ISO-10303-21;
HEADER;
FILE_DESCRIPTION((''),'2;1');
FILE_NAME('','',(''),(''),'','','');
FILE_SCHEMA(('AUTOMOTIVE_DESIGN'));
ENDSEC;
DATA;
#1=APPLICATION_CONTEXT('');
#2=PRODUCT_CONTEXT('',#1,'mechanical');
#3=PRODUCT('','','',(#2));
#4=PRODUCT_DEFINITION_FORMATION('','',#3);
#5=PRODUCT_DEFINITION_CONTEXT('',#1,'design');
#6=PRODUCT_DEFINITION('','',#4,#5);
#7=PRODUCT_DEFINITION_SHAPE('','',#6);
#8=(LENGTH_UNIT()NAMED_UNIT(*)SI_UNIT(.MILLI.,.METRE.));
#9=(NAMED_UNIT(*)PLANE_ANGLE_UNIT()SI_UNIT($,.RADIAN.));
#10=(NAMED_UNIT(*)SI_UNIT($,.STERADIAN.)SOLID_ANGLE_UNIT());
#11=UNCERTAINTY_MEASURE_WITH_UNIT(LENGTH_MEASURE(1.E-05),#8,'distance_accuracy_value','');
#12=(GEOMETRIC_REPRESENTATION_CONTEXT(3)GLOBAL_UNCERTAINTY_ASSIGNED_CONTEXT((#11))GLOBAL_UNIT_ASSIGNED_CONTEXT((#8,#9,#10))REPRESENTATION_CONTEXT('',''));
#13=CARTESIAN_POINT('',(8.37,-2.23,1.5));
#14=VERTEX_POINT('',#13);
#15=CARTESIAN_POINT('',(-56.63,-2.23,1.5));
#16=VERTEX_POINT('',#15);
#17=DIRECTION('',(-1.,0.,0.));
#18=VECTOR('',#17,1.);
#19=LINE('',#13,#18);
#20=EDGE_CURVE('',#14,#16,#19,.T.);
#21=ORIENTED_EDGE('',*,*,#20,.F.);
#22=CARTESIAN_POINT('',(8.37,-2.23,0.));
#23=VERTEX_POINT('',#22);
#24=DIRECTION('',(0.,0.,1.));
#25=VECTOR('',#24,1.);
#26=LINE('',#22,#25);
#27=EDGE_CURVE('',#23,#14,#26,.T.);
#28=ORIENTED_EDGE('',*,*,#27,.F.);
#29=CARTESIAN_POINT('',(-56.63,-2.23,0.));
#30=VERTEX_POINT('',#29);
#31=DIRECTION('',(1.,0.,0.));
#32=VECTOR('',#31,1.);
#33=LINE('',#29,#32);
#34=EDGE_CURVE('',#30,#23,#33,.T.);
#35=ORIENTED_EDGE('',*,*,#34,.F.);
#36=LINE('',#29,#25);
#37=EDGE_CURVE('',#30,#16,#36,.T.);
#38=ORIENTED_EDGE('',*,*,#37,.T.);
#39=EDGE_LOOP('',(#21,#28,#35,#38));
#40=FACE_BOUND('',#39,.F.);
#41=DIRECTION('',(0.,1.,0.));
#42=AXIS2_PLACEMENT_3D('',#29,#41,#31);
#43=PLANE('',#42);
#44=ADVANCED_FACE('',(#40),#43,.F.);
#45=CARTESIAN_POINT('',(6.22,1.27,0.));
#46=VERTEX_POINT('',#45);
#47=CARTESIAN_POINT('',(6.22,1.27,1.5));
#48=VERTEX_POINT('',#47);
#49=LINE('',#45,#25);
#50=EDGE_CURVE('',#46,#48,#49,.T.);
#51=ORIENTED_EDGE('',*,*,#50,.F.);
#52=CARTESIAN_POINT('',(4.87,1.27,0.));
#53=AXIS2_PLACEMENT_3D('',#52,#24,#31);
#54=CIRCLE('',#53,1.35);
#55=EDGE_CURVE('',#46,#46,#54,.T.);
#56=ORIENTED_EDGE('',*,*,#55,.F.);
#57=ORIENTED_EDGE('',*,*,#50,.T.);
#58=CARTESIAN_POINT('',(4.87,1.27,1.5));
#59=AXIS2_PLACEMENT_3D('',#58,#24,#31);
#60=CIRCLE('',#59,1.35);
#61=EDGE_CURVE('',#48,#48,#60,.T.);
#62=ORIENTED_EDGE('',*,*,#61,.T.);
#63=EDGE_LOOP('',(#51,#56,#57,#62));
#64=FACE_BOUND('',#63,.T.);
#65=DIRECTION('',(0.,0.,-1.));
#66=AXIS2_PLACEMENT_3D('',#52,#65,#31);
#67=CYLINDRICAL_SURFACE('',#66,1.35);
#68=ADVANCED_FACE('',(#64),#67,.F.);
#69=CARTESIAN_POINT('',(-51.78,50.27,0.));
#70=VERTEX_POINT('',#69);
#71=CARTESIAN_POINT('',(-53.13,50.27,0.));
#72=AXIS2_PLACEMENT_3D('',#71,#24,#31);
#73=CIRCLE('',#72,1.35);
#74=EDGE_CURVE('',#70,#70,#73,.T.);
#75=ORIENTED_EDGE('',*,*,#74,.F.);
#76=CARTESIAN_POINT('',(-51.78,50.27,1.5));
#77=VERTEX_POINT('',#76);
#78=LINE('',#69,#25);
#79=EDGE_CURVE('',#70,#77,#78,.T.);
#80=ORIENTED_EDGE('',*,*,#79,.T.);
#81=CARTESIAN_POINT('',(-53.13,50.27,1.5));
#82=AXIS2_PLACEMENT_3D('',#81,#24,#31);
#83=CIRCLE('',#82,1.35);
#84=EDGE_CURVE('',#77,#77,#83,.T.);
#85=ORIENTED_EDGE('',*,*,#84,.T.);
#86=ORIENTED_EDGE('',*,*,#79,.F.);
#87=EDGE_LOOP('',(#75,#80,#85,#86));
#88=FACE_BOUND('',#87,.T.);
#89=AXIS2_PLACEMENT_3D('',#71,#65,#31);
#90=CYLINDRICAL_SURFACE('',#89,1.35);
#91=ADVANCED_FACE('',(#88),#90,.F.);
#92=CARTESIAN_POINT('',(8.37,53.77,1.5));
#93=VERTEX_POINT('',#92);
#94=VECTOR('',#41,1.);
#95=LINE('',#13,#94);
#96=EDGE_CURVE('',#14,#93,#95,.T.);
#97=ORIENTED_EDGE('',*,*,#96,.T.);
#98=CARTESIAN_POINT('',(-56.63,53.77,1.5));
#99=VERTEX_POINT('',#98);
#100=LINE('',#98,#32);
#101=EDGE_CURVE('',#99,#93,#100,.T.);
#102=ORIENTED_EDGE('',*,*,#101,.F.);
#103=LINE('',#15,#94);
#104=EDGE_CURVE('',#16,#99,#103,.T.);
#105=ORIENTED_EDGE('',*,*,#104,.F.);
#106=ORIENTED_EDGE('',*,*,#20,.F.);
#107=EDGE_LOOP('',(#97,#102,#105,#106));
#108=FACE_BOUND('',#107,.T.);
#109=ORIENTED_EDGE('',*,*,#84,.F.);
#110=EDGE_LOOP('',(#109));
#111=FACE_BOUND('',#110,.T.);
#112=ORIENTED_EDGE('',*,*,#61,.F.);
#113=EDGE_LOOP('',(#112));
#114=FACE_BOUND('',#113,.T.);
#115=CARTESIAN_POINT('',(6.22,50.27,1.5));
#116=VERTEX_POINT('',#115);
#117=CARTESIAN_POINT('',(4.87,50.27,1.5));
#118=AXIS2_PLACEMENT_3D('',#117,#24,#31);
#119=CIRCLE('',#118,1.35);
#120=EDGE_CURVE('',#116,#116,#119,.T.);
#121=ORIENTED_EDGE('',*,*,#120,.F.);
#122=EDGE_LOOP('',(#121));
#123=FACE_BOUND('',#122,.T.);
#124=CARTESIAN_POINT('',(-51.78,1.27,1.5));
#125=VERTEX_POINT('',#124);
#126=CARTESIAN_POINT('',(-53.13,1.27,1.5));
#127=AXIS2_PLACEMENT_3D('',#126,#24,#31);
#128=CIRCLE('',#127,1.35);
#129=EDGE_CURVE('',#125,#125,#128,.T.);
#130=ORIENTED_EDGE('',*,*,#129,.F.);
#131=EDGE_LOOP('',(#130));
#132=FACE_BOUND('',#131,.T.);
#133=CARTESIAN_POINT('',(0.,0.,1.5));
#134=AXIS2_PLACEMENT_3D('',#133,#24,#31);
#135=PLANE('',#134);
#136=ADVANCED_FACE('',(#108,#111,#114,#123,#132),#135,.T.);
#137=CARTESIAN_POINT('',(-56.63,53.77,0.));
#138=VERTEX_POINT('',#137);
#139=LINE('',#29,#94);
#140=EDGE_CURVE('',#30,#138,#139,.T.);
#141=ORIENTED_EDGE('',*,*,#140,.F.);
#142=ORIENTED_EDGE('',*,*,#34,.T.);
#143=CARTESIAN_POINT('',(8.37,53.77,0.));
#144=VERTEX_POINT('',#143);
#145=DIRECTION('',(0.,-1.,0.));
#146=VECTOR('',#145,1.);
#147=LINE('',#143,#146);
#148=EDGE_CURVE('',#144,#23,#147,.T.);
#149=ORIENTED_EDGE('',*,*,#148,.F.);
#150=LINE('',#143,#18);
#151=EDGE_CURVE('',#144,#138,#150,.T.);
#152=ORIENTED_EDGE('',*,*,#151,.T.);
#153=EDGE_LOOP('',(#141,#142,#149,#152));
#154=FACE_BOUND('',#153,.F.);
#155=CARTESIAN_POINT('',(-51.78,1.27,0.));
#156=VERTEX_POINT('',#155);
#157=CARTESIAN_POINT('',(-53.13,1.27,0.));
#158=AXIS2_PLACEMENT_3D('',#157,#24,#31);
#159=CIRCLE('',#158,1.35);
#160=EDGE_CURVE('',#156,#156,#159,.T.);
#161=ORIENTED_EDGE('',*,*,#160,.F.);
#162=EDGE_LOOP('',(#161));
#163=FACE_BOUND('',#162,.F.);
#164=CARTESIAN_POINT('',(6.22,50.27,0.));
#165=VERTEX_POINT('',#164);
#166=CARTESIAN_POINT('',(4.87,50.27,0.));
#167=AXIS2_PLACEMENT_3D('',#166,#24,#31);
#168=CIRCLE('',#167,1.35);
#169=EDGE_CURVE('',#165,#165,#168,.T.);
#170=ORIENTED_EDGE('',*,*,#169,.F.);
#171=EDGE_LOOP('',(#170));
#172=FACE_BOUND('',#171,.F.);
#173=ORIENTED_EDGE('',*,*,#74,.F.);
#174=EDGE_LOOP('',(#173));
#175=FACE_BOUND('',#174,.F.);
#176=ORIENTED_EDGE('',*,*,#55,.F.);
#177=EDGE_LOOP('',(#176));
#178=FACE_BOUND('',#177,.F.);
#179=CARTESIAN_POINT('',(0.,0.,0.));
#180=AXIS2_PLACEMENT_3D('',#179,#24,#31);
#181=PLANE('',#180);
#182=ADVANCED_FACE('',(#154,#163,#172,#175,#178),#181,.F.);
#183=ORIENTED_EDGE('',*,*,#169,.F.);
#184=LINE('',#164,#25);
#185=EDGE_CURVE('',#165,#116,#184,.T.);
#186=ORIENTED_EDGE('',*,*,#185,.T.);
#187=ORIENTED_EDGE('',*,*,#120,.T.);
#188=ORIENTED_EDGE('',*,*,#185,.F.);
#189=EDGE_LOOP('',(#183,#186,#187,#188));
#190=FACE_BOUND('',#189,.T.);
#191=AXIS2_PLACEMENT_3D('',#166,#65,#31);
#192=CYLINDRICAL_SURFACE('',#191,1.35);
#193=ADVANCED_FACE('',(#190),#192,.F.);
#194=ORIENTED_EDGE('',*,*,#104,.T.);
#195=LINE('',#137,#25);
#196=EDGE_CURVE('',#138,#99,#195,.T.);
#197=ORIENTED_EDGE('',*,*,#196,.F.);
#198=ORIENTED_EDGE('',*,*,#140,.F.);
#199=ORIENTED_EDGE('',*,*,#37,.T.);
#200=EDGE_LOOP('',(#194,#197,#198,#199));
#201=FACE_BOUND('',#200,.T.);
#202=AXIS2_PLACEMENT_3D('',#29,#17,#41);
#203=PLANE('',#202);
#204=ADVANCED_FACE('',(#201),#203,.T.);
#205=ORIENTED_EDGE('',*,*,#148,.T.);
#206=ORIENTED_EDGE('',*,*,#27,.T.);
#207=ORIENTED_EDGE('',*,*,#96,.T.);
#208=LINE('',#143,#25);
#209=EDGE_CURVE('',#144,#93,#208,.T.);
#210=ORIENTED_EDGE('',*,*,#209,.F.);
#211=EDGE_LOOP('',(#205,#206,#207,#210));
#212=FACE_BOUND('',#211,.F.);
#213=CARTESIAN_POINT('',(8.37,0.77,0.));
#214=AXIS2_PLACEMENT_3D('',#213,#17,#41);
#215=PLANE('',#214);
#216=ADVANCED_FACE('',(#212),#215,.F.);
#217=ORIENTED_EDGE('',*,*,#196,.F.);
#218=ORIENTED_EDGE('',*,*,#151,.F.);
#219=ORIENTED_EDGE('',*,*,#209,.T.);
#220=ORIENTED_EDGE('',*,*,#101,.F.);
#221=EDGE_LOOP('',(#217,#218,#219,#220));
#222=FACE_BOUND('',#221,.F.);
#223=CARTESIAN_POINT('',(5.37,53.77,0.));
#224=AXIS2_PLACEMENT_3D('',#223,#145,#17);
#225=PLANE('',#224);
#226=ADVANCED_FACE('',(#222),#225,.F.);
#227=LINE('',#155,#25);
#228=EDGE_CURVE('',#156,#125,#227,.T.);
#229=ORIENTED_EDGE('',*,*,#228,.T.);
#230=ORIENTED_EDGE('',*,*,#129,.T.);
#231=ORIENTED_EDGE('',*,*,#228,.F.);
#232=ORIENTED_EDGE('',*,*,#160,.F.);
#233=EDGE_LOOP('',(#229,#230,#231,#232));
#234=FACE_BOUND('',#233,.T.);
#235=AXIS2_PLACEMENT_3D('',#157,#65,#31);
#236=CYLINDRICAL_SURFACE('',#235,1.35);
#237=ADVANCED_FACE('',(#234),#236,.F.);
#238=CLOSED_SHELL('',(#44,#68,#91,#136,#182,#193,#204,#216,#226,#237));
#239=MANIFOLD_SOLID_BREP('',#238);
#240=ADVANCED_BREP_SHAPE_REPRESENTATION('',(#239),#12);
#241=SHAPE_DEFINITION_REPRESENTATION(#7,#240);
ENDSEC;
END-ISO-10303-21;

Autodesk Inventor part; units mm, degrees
ref_plane "YZ Plane" through (0, 0, 0) normal (1, 0, 0) x (0, 1, 0)
ref_plane "XZ Plane" through (0, 0, 0) normal (0, 1, 0) x (-1, 0, 0)
ref_plane "XY Plane" through (0, 0, 0) normal (0, 0, 1) x (1, 0, 0)
sketch "Эскиз1" plane through (0, 0, 0) normal (0, 0, 1) x (1, 0, 0)
  line L0 (-73.63, -2.23) -> (5.37, -2.23) projected
  arc A0 (5.37, -2.23) -> (8.37, 0.77) centre (5.37, 0.77) ccw projected
  line L1 (8.37, 0.77) -> (8.37, 50.77) projected
  arc A1 (8.37, 50.77) -> (5.37, 53.77) centre (5.37, 50.77) ccw projected
  line L2 (5.37, 53.77) -> (-73.63, 53.77) projected
  arc A2 (-73.63, 53.77) -> (-76.63, 50.77) centre (-73.63, 50.77) ccw projected
  line L3 (-76.63, 50.77) -> (-76.63, 0.77) projected
  arc A3 (-76.63, 0.77) -> (-73.63, -2.23) centre (-73.63, 0.77) ccw projected
  circle A4 centre (4.87, 50.27) radius 1.35 projected
  circle A5 centre (-53.13, 50.27) radius 1.35 projected
  circle A6 centre (0.07, 48.67) radius 0.325 projected
  circle A7 centre (-5.73, 48.67) radius 0.325 projected
  circle A8 centre (-68.88, 49.235) radius 1.65 projected
  circle A9 centre (4.87, 44.27) radius 1.55 projected
  circle A10 centre (-68.88, 37.805) radius 1.65 projected
  circle A11 centre (-53.13, 7.27) radius 1.55 projected
  circle A12 centre (4.87, 1.27) radius 1.35 projected
  circle A13 centre (-53.13, 1.27) radius 1.35 projected
  line L4 (5.37, -2.23) -> (8.37, -2.23) construction
  line L5 (8.37, -2.23) -> (8.37, 0.77) construction
  line L6 (8.37, 0.77) -> (5.37, 0.77) construction
  line L7 (5.37, 0.77) -> (5.37, -2.23) construction
  line L8 (8.37, -2.23) -> (-56.63, -2.23)
  line L9 (-56.63, -2.23) -> (-56.63, 53.77)
  line L10 (-56.63, 53.77) -> (8.37, 53.77)
  line L11 (8.37, 53.77) -> (8.37, -2.23)
  line L12 (8.37, -2.23) -> (-56.63, -2.23)
  line L13 (-56.63, -2.23) -> (-56.63, -13.23)
  line L14 (-56.63, -13.23) -> (8.37, -13.23)
  line L15 (8.37, -13.23) -> (8.37, -2.23)
  line L16 (-56.63, 53.77) -> (8.37, 53.77)
  line L17 (8.37, 53.77) -> (8.37, 61.77)
  line L18 (8.37, 61.77) -> (-56.63, 61.77)
  line L19 (-56.63, 61.77) -> (-56.63, 53.77)
  point P0 (0, 0)
  point P1 (8.37, 0.77)
  point P2 (8.37, 53.77)
  dimension "d0" = 65
  dimension "d1" = 56
  dimension "d8" = 65
  dimension "d9" = 11
  dimension "d10" = 8
extrude "Выдавливание1" add sketch "Эскиз1" along normal blind 1.5 contours L9 L2 A1 L1 A0 L0 | A0 L11 L8 | L10 L11 A1 | A6 | A7 | A9 | A11
properties part number "board_rpi"
